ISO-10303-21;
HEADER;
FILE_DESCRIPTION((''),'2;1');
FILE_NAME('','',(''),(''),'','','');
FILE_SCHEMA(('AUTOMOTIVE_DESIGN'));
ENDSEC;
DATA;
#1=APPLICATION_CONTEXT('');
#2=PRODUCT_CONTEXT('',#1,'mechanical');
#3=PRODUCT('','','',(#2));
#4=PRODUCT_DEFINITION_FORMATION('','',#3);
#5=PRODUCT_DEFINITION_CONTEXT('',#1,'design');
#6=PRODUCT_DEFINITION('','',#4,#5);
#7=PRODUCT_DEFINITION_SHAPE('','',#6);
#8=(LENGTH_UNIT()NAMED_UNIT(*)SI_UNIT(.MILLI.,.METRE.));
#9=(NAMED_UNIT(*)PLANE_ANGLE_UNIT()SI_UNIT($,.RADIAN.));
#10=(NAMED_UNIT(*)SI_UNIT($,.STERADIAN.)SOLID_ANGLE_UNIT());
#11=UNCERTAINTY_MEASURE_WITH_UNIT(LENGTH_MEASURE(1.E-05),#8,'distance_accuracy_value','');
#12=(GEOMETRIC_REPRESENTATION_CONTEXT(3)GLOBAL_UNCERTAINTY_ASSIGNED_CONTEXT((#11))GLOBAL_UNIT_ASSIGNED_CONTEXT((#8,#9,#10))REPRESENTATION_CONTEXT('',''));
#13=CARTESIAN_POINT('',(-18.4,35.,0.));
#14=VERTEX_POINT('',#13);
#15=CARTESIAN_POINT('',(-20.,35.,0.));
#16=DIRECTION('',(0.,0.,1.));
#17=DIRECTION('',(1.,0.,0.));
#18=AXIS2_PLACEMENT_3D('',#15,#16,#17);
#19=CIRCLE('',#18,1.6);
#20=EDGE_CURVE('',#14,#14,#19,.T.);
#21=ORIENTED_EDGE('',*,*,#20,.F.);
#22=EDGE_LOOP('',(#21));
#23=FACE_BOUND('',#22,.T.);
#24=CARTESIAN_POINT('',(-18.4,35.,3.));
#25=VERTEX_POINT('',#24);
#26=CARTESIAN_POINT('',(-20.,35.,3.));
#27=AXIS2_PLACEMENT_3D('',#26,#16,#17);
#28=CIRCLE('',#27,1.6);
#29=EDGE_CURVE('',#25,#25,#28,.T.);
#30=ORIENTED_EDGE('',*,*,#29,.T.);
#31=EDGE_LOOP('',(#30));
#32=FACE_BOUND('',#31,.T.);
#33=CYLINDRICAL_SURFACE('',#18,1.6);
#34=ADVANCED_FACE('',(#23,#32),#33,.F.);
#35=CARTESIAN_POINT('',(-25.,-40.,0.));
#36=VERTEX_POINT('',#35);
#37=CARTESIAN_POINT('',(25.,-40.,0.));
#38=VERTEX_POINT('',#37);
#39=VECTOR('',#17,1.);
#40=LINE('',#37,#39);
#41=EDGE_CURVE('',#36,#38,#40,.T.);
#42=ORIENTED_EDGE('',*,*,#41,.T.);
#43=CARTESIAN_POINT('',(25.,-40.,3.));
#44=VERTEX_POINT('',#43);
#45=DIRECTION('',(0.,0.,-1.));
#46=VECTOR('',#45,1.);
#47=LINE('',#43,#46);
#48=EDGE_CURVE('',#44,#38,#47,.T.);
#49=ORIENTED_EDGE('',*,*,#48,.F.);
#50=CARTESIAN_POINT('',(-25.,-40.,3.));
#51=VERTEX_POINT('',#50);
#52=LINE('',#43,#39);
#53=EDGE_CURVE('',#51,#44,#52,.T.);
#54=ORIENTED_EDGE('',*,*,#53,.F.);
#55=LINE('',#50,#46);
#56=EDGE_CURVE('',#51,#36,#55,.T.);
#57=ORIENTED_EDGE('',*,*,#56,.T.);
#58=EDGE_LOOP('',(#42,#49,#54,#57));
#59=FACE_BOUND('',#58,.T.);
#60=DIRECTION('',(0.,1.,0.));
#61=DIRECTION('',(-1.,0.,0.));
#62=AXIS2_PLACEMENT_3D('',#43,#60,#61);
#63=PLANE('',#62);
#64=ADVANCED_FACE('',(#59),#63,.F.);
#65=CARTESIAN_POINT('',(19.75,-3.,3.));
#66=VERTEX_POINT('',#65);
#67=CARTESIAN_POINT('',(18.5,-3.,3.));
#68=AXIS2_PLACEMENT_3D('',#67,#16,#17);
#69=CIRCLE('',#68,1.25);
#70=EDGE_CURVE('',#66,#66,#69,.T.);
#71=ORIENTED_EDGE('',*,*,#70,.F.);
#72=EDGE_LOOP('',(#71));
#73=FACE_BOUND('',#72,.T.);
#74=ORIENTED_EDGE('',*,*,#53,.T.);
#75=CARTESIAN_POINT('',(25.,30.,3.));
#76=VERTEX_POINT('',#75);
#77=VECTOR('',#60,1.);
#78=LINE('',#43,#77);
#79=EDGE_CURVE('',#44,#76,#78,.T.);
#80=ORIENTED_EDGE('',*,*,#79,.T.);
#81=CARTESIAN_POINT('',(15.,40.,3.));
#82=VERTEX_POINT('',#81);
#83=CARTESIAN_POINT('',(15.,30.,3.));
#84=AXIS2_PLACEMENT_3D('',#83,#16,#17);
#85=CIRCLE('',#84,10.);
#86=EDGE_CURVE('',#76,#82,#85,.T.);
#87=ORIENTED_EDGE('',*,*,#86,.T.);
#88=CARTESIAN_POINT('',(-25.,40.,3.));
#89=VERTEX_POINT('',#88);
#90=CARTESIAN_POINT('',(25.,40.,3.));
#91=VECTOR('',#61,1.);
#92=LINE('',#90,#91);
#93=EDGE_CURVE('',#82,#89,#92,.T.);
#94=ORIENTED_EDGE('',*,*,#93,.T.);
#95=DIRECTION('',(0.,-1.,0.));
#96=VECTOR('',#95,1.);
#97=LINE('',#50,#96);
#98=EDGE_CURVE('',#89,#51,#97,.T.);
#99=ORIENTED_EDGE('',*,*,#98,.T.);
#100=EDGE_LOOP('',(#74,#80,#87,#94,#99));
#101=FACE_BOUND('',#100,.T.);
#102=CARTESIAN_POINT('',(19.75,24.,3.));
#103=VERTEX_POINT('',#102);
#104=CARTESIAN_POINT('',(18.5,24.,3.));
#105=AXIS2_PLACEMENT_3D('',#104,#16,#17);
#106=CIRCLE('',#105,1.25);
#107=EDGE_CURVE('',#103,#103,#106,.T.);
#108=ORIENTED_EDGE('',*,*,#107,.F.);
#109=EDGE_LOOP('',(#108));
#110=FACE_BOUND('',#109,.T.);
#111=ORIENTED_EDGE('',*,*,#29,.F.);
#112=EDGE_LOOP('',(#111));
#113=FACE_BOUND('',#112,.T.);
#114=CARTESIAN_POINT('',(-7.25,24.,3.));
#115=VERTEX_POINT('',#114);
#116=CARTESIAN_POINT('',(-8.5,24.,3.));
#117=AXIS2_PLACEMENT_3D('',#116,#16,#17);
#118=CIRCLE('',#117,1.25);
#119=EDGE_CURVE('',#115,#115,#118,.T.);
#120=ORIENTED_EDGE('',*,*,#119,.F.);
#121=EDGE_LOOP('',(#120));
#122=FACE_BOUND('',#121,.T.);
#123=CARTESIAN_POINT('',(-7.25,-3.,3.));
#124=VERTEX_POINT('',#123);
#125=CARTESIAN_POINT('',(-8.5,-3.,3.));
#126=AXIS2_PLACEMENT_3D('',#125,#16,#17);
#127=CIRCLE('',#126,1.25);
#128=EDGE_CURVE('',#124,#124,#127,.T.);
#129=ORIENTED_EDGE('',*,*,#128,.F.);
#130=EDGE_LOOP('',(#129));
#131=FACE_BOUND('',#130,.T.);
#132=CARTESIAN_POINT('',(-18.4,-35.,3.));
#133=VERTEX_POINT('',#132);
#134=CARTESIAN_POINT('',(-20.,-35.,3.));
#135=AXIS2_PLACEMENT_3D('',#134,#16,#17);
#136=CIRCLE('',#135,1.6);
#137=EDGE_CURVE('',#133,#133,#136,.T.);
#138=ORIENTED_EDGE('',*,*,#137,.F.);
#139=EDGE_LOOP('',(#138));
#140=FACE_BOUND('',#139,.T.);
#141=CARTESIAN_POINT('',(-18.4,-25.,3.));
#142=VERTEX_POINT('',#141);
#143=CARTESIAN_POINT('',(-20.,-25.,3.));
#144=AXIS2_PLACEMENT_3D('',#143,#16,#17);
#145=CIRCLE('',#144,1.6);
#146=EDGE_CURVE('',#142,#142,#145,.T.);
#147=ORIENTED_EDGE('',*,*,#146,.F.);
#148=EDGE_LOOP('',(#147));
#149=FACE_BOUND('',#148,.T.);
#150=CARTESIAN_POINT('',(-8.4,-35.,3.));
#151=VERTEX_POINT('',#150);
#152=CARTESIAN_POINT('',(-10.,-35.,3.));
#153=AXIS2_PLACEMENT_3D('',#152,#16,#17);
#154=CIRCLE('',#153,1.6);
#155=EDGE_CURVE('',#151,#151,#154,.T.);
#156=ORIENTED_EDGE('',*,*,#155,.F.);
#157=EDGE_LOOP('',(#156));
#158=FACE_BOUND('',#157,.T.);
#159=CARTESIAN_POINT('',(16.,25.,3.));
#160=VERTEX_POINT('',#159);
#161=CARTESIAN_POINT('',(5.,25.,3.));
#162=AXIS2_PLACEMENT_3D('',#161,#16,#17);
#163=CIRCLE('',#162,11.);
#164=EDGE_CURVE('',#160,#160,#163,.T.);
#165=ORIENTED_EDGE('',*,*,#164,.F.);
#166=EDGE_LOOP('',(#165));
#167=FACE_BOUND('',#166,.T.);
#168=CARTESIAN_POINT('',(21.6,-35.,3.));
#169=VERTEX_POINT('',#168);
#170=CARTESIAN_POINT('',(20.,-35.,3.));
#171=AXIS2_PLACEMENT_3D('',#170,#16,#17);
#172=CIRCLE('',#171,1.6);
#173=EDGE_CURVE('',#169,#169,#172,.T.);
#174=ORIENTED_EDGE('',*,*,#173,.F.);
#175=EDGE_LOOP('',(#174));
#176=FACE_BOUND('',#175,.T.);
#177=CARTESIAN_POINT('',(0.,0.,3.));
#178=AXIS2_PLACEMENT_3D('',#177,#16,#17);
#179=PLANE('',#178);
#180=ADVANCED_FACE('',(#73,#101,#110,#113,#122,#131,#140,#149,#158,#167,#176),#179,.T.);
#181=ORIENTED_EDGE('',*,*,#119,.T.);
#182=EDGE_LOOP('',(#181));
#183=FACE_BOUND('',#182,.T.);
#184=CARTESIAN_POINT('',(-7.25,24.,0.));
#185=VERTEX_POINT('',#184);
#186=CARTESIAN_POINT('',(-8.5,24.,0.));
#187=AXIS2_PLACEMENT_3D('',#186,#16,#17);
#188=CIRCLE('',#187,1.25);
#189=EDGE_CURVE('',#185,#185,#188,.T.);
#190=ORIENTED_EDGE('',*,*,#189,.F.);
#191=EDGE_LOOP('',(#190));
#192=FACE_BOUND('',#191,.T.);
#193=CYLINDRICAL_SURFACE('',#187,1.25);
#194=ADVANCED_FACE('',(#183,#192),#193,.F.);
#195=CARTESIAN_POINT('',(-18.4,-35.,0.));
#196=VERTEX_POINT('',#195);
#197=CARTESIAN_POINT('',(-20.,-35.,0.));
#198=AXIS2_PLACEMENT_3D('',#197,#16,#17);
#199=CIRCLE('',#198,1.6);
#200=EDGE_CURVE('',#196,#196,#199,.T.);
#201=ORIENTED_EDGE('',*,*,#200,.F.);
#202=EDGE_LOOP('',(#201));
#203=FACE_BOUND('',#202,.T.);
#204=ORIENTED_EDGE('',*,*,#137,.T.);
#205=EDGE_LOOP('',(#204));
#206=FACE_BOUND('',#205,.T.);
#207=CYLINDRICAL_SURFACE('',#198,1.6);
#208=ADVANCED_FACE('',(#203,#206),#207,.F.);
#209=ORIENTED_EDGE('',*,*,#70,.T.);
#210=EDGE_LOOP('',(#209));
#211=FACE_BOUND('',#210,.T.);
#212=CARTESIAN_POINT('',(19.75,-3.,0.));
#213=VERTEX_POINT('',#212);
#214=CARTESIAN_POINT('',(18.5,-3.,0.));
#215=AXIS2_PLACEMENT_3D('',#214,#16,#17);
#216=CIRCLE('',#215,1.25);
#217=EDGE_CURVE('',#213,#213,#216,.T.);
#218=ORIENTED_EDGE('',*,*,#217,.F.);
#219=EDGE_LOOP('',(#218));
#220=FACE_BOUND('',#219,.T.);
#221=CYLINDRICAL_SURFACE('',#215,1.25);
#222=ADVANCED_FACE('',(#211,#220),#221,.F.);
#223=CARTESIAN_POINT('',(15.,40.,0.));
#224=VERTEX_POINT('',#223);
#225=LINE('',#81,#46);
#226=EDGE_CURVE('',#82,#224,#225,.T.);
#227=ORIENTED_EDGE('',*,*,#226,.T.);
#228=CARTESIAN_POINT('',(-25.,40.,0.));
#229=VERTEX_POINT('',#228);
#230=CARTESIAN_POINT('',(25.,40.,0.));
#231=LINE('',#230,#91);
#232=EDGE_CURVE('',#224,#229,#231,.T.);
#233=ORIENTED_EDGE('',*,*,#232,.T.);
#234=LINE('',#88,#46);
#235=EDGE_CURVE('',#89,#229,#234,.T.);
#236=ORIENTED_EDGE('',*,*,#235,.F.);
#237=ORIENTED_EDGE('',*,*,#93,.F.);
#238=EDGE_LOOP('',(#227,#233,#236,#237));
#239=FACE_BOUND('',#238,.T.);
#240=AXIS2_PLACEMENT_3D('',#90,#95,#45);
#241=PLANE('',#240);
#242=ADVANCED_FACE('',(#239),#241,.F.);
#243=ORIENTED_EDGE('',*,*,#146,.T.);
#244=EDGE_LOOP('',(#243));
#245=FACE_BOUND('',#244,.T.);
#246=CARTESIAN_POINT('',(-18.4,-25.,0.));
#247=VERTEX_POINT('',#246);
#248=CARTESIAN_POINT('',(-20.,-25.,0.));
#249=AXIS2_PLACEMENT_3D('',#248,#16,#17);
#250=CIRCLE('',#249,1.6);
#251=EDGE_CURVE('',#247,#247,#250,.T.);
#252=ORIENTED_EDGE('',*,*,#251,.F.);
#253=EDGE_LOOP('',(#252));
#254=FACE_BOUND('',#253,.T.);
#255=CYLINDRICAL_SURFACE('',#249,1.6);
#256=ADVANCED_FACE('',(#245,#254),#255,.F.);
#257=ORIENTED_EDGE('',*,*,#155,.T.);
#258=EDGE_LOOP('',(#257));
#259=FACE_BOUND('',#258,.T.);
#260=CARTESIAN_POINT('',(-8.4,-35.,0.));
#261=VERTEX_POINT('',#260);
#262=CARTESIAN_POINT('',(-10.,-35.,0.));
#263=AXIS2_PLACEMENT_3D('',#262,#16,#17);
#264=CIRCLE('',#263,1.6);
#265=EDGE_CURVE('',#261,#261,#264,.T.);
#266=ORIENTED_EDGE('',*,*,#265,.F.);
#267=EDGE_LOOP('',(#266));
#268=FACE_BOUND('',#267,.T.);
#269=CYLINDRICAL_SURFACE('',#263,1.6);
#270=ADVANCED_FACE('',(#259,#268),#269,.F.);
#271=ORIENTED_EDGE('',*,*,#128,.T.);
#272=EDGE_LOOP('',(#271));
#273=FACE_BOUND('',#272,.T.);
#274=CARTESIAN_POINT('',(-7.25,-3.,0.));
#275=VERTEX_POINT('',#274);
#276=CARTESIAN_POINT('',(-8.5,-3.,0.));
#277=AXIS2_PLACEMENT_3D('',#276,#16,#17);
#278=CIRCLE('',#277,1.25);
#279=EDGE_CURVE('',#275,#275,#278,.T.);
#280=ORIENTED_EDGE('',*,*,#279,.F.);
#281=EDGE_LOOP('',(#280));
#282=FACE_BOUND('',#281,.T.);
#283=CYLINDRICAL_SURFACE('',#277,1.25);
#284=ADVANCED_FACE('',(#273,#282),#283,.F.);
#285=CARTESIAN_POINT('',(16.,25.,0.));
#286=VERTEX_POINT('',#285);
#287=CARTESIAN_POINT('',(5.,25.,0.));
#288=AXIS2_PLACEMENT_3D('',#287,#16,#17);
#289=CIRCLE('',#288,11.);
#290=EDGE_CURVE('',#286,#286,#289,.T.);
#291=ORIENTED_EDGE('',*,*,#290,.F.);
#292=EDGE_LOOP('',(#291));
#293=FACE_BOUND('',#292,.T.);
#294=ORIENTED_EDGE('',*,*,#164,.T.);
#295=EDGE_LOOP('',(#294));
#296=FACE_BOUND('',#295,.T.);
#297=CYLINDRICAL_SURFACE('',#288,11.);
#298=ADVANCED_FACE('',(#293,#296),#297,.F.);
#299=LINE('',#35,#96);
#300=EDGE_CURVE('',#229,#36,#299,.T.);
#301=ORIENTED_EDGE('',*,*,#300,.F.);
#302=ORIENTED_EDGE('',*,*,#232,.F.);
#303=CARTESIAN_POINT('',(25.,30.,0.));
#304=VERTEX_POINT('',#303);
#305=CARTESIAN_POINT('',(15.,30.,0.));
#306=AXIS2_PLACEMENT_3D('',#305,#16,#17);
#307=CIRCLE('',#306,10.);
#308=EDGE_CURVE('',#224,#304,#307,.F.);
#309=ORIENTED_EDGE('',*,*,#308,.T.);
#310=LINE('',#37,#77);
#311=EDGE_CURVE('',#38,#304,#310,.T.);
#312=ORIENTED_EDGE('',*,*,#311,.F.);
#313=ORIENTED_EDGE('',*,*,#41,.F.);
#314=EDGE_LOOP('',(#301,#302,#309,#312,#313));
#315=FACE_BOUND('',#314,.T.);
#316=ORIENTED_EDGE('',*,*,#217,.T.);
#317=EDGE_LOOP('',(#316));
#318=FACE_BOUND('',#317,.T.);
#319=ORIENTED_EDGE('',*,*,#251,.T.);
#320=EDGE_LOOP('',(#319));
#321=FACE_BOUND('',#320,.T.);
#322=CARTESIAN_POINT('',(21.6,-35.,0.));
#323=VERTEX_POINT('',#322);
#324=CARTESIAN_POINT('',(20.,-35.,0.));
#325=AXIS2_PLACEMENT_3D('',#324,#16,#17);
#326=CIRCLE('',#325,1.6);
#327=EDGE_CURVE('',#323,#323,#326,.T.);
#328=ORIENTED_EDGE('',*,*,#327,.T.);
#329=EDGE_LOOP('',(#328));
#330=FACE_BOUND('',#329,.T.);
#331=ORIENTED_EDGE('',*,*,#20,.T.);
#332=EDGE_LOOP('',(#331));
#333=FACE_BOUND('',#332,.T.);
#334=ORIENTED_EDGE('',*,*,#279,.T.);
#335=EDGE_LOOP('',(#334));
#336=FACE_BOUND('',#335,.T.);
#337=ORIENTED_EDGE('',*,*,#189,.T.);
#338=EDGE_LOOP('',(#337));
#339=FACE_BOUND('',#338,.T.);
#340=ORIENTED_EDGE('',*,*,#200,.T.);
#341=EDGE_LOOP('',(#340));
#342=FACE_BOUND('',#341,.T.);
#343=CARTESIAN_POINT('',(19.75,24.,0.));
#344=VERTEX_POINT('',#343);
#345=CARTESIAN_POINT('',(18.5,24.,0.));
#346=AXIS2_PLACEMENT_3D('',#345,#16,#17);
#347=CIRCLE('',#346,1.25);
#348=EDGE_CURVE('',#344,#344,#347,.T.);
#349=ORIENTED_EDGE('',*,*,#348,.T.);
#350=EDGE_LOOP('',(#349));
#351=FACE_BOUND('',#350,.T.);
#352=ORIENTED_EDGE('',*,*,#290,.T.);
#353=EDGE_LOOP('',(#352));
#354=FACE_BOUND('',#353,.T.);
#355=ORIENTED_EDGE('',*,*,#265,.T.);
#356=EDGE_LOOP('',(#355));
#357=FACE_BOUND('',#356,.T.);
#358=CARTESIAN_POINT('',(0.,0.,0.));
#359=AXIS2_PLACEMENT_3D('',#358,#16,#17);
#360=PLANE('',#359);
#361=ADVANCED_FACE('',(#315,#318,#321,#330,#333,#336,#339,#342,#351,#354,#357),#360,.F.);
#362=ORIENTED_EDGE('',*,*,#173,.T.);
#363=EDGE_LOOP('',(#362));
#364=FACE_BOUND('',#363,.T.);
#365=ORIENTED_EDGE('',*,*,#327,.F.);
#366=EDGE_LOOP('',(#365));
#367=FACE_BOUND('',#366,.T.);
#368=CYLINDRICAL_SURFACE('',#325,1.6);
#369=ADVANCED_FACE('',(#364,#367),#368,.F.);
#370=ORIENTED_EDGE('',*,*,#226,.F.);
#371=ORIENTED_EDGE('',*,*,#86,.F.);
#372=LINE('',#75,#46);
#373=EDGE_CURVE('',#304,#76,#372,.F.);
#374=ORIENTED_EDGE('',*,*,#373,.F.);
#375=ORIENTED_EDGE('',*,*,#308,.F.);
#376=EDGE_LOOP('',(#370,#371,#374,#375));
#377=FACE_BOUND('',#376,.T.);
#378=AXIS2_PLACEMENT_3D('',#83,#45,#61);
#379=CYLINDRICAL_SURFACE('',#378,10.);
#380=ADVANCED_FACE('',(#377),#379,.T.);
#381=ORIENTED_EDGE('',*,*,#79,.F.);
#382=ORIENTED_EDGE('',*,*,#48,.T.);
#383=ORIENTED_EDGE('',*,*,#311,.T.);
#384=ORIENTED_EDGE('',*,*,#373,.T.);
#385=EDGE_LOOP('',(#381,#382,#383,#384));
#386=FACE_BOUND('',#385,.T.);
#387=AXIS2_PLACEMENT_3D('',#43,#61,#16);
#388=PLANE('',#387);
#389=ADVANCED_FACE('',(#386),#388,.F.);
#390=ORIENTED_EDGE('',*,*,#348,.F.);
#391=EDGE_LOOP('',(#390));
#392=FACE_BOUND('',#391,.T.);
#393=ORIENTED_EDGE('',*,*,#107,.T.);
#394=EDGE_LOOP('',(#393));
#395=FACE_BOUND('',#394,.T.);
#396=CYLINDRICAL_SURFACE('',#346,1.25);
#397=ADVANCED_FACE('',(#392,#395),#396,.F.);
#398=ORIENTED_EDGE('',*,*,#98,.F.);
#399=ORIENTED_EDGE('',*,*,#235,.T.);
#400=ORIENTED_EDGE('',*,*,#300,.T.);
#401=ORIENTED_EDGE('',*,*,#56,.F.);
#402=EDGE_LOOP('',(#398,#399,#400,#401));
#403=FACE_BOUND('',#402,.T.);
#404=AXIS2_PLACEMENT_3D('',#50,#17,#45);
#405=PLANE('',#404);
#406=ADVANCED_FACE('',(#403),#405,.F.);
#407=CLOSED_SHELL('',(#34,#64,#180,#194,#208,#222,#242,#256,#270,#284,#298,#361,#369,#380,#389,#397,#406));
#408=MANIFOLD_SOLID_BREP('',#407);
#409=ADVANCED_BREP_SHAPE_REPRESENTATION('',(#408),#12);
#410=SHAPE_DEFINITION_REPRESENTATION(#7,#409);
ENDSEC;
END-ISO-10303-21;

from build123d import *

# Parameters (mm, degrees)
SKETCH_1_W          = 50
SKETCH_1_H          = 80
EXTRUDE_1_DEPTH     = 3
SKETCH_2_R          = 11
SKETCH_2_R_2        = 1.25
SKETCH_2_R_3        = 1.6
CUT_EXTRUDE_1_DEPTH = 48.265209192
FILLET_1_R          = 10


with BuildPart() as part:
    # ｽｹｯﾁ1 → ﾎﾞｽ - 押し出し1 (new body)
    with BuildSketch(Plane.XY):
        Rectangle(SKETCH_1_W, SKETCH_1_H)
    extrude(amount=EXTRUDE_1_DEPTH)

    # ｽｹｯﾁ2 → ｶｯﾄ - 押し出し1 (cut, through all)
    with BuildSketch(Plane.XY.offset(3)):
        with Locations((5, 25)):
            Circle(SKETCH_2_R)
        with Locations((18.5, 24)):
            Circle(SKETCH_2_R_2)
        with Locations((-20, 35)):
            Circle(SKETCH_2_R_3)
        with Locations((-20, -25)):
            Circle(SKETCH_2_R_3)
        with Locations((-8.5, 24)):
            Circle(SKETCH_2_R_2)
        with Locations((18.5, -3)):
            Circle(SKETCH_2_R_2)
        with Locations((-20, -35)):
            Circle(SKETCH_2_R_3)
        with Locations((-10, -35)):
            Circle(SKETCH_2_R_3)
        with Locations((20, -35)):
            Circle(SKETCH_2_R_3)
        with Locations((-8.5, -3)):
            Circle(SKETCH_2_R_2)
    extrude(amount=-CUT_EXTRUDE_1_DEPTH, mode=Mode.SUBTRACT)

    # ﾌｨﾚｯﾄ1
    fillet_1_edges = [part.edges().sort_by_distance(p)[0] for p in [
        (25, 40, 1.5),
    ]]
    fillet(fillet_1_edges, radius=FILLET_1_R)


solid = part.part
